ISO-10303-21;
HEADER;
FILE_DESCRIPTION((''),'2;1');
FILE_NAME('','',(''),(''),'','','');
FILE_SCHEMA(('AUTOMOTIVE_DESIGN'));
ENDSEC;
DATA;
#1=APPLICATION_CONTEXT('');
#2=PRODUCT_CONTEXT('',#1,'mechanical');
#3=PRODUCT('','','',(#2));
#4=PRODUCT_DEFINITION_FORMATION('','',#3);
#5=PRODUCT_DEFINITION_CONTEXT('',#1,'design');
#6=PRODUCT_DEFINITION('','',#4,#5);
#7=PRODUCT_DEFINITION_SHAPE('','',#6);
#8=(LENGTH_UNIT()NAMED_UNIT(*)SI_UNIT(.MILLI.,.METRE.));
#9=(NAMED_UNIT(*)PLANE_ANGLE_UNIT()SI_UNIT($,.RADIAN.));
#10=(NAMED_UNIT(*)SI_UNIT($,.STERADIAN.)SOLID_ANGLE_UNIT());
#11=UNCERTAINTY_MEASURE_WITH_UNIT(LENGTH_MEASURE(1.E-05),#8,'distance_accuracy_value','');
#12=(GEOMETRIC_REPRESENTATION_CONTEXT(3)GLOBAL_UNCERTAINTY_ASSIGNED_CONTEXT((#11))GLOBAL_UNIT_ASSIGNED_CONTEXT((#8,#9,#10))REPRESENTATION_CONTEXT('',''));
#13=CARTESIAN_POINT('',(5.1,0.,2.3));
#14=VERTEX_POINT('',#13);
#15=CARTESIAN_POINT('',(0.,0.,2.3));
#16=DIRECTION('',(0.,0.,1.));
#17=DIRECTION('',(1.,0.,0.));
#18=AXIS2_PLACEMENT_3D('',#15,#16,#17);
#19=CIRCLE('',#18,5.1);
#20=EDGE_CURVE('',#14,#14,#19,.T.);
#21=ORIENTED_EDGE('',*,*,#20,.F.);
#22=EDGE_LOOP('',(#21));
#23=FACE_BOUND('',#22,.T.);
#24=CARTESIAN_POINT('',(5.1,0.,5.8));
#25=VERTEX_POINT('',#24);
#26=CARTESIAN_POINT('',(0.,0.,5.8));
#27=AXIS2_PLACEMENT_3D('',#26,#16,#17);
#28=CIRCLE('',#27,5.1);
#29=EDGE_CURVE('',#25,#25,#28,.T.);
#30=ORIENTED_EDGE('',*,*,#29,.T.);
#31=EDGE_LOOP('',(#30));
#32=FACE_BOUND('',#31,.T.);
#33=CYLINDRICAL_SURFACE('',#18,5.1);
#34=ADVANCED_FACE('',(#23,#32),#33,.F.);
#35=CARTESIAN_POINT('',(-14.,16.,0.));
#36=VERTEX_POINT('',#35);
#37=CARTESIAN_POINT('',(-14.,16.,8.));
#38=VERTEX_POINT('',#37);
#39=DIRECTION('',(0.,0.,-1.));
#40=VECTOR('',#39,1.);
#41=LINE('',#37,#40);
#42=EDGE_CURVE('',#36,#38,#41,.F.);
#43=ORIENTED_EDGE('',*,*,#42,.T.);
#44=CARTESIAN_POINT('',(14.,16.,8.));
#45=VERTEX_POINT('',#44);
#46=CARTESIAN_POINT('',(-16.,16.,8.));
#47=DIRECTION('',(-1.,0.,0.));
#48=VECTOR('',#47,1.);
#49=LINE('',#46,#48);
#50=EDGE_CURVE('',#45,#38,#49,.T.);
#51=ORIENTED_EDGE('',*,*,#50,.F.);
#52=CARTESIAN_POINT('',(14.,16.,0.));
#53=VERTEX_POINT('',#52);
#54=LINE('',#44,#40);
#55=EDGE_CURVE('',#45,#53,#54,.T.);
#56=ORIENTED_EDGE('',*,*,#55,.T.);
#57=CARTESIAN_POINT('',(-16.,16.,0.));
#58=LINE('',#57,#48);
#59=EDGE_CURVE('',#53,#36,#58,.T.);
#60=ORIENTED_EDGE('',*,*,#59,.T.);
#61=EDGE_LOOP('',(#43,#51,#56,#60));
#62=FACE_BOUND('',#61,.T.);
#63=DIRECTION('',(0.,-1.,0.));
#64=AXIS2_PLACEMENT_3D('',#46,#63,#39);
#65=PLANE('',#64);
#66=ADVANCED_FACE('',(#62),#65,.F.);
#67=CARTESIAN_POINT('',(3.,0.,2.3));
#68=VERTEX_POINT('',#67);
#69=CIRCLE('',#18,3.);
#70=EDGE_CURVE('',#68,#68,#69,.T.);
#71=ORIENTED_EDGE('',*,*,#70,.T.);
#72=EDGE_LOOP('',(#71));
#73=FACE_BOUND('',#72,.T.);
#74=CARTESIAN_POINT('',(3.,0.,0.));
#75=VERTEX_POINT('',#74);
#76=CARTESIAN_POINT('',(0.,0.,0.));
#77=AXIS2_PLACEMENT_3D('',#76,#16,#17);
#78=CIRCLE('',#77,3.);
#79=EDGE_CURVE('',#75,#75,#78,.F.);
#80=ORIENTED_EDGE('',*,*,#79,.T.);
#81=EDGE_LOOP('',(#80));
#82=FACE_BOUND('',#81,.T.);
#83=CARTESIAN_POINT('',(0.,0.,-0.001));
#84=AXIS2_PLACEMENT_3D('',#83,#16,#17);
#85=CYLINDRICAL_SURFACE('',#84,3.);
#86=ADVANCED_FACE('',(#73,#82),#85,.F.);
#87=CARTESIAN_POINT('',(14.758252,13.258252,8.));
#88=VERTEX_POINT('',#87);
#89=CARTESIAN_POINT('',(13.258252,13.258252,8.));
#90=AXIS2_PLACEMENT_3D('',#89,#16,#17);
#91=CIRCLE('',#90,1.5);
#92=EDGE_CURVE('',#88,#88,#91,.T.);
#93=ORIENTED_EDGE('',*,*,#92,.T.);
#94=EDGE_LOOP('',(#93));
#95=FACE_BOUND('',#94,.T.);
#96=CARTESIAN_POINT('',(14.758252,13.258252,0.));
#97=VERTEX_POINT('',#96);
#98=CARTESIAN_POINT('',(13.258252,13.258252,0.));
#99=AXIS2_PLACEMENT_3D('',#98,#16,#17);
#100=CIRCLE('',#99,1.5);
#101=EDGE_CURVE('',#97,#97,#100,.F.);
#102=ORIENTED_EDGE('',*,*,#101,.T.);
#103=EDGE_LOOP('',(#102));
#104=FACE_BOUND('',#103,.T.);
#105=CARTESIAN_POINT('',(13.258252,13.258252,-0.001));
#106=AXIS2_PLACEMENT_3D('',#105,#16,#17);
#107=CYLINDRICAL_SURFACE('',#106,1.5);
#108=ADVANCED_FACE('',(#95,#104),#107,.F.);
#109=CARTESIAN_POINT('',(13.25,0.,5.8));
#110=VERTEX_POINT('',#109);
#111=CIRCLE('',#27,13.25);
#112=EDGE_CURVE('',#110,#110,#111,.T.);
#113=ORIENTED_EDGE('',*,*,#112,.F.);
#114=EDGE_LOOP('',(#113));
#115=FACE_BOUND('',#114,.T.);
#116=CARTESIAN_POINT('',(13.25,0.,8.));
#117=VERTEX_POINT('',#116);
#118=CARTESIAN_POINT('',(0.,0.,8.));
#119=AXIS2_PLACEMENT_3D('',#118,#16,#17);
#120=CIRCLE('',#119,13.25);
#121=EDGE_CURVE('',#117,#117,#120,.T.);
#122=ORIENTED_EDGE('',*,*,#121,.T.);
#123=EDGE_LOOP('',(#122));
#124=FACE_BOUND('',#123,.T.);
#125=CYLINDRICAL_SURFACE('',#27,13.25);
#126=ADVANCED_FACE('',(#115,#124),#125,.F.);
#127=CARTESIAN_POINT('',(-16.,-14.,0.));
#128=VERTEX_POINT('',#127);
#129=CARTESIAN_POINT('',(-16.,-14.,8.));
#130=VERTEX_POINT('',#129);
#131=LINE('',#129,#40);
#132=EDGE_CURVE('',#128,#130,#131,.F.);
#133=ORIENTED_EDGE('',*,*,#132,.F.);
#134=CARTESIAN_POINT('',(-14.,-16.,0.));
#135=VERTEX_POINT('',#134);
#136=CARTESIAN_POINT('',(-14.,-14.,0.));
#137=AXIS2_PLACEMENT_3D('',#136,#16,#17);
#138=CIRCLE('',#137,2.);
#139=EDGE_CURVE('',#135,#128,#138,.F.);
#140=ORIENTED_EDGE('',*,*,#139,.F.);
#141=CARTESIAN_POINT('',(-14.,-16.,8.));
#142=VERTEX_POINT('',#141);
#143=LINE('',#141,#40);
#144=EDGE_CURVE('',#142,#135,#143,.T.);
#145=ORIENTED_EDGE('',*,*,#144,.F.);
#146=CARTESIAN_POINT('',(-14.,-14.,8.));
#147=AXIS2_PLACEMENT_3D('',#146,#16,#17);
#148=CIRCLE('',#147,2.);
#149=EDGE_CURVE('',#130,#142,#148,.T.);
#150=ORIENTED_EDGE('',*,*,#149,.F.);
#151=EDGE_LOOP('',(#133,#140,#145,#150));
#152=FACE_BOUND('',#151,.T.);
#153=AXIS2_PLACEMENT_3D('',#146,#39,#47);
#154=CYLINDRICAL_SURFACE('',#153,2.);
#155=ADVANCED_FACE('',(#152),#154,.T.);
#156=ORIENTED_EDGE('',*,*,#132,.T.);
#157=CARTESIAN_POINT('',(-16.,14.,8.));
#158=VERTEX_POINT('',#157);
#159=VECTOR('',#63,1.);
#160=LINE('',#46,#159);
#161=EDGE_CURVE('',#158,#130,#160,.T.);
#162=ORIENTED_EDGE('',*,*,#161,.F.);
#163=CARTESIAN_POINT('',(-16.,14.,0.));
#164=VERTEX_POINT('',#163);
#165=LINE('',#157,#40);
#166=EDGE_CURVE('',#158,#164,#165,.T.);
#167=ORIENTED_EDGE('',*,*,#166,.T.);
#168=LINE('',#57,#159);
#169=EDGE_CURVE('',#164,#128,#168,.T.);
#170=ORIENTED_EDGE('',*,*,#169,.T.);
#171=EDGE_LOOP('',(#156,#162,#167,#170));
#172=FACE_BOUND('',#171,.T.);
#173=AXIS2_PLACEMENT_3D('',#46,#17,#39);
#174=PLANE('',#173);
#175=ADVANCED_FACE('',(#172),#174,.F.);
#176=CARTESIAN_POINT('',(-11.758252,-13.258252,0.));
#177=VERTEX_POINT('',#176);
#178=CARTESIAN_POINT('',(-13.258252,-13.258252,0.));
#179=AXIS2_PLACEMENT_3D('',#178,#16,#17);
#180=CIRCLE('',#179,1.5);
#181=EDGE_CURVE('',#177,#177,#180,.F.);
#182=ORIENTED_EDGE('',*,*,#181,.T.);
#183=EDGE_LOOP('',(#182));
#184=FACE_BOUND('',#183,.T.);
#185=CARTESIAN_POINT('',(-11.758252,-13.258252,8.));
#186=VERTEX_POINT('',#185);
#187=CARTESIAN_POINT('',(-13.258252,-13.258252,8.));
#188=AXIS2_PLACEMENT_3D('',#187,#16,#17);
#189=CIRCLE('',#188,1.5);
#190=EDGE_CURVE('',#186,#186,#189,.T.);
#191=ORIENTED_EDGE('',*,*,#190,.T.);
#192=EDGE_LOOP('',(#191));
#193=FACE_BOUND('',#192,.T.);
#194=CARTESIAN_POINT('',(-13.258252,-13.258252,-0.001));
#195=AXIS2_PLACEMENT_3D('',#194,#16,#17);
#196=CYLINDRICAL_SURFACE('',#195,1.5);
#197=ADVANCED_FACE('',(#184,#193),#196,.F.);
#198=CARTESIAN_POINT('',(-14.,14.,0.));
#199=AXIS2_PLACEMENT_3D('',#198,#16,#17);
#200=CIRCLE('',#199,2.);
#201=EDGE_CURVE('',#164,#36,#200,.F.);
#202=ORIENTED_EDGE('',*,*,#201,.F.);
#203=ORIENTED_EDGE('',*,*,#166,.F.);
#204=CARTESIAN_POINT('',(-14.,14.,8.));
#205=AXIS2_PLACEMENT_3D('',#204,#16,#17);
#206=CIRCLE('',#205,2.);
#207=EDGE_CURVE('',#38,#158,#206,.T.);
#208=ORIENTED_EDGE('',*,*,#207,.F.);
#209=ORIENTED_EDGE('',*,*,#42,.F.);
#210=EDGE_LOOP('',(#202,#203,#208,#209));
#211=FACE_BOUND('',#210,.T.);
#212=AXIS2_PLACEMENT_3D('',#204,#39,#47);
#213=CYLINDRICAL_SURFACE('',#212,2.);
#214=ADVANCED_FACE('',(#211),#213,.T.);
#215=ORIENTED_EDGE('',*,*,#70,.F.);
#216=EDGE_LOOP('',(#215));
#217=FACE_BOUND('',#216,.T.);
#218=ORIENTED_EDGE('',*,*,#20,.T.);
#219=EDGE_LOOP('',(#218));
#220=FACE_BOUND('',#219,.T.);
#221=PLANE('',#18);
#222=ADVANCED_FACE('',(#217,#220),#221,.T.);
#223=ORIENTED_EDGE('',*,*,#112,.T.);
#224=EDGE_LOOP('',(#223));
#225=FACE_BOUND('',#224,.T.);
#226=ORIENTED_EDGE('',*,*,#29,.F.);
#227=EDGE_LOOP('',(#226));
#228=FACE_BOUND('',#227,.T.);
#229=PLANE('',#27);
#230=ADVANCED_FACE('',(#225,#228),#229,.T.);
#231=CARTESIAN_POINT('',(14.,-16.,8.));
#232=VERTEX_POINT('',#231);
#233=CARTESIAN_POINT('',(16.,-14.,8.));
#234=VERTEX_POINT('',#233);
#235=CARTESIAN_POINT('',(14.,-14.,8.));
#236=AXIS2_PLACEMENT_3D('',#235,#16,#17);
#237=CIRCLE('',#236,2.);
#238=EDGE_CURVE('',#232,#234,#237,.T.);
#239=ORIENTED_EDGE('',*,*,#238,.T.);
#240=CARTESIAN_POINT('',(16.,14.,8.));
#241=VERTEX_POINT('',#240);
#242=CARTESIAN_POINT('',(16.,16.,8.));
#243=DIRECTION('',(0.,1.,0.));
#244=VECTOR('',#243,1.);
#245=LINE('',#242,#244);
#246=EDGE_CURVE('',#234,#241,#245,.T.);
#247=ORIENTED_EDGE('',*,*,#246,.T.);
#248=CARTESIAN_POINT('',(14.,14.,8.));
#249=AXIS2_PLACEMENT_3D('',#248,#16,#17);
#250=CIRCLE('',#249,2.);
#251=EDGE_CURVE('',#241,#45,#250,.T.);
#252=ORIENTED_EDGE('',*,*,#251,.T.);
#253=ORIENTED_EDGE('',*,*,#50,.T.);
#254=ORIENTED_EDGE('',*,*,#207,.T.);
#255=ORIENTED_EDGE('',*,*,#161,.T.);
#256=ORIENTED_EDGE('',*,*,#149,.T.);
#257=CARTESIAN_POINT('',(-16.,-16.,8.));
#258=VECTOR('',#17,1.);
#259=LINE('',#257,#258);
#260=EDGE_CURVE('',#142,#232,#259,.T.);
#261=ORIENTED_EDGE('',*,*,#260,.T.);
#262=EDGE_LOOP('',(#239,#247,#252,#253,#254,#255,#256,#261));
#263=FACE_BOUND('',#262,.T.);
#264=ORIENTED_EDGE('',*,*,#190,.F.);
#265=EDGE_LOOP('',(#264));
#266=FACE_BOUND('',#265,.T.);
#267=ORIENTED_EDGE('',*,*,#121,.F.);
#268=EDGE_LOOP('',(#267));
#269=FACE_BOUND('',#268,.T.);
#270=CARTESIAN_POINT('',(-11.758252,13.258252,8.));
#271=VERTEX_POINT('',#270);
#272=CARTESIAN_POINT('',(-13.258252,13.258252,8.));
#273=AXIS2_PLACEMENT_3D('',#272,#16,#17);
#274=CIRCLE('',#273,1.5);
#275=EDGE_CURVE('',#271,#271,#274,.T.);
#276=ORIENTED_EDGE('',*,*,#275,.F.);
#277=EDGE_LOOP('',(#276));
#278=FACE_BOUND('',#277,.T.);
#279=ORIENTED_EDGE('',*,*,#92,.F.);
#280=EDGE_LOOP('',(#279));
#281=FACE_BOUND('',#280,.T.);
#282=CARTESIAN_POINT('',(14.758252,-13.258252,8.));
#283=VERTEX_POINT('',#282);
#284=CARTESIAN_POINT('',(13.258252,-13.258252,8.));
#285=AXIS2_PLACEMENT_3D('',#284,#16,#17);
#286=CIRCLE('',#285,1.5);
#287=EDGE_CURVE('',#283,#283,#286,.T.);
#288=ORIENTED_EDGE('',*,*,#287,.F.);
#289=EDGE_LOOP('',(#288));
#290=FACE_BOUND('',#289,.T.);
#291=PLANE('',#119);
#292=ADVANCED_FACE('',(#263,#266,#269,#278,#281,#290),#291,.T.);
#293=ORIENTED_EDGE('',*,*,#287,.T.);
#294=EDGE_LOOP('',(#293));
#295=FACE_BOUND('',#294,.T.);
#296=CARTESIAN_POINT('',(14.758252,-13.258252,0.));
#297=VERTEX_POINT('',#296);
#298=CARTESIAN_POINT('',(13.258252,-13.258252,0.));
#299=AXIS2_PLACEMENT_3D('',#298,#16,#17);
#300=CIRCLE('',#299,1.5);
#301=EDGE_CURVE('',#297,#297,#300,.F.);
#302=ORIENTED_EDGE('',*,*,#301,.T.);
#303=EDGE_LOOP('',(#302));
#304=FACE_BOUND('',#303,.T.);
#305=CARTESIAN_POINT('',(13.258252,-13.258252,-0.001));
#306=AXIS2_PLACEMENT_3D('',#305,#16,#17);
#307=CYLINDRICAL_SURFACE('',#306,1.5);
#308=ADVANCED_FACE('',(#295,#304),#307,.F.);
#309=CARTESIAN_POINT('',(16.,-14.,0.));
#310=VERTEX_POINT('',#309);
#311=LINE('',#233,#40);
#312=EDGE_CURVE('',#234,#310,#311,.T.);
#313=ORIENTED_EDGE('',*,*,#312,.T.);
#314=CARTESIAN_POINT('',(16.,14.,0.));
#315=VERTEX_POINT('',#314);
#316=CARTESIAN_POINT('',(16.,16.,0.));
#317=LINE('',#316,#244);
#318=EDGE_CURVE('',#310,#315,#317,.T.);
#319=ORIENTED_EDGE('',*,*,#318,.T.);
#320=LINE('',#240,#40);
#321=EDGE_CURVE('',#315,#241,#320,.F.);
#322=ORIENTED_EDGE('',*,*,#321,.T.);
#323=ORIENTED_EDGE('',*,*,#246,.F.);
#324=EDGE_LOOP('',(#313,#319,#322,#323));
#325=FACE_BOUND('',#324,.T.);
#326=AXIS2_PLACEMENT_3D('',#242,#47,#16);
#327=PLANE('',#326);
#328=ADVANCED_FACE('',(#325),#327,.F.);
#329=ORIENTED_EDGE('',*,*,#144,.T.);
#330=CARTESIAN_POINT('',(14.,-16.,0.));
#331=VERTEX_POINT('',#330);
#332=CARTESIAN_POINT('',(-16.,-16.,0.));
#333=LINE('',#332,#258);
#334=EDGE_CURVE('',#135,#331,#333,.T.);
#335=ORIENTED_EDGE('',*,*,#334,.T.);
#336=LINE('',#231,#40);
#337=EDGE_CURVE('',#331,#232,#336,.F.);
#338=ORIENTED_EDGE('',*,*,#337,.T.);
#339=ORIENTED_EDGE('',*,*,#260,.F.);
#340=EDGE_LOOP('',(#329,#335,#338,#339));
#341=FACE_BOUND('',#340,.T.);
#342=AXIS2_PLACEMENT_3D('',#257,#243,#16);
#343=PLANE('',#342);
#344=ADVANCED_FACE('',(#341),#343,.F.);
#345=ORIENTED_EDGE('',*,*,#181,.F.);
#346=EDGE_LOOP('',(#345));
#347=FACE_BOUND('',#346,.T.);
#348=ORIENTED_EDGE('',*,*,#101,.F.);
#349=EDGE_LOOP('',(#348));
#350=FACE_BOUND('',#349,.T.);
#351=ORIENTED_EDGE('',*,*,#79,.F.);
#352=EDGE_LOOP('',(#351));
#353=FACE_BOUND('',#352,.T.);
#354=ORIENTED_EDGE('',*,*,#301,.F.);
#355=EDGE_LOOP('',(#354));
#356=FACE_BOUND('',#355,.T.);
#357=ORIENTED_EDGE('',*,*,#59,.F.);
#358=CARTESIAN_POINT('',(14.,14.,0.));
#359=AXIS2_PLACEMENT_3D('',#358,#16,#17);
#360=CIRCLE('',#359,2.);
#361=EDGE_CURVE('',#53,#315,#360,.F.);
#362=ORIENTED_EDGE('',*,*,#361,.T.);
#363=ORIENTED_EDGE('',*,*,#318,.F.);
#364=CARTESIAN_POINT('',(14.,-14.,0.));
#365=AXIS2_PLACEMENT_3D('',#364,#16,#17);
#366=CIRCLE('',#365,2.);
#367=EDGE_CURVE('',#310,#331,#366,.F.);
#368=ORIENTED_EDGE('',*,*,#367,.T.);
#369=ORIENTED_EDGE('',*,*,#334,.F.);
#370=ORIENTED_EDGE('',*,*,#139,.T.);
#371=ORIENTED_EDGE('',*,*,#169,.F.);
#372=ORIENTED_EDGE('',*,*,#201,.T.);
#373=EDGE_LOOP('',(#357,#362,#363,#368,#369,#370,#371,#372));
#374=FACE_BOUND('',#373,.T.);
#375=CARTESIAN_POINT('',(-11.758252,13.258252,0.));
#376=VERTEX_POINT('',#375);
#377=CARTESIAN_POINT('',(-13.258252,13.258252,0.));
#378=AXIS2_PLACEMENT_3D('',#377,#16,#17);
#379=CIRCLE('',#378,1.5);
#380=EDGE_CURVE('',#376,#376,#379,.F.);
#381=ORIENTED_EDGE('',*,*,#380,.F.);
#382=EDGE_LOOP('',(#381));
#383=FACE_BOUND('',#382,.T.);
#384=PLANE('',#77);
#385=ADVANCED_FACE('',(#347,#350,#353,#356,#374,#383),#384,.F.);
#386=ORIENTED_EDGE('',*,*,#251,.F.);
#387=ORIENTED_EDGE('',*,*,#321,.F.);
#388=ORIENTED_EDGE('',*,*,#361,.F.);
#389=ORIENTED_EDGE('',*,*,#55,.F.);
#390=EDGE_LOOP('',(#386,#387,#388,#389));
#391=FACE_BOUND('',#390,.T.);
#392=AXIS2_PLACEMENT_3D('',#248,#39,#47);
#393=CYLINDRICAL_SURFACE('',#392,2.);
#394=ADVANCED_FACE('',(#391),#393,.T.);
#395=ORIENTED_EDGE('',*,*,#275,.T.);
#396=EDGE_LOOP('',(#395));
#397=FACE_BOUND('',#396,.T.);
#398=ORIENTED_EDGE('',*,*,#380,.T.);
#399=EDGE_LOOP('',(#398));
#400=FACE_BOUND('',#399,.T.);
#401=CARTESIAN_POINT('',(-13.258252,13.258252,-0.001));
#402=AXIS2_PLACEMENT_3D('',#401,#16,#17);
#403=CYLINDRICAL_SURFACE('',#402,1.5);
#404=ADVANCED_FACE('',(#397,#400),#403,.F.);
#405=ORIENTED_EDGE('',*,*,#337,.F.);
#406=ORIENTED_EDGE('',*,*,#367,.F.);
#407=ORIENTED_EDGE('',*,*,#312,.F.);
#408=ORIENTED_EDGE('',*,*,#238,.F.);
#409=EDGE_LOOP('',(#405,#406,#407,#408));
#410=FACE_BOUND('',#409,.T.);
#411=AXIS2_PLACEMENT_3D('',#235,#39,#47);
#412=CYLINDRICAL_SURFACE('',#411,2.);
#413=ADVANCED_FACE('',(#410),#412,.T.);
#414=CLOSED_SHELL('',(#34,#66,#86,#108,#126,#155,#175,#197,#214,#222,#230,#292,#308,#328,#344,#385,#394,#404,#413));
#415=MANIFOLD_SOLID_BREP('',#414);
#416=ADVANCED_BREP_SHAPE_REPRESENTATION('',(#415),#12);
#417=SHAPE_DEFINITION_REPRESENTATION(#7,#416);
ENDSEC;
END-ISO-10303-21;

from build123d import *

# Parameters (mm, degrees)
SKETCH_1_W          = 32
SKETCH_1_H          = 32
EXTRUDE_1_DEPTH     = 8
CUT_EXTRUDE_1_REACH = 10
SKETCH_2_R          = 1.5
SKETCH_3_R          = 13.25
CUT_EXTRUDE_2_DEPTH = 2.2
SKETCH_4_R          = 5.1
CUT_EXTRUDE_3_DEPTH = 3.5
CUT_EXTRUDE_4_REACH = 4.3
SKETCH_5_R          = 3
FILLET_1_R          = 2


with BuildPart() as part:
    # 草图1 → 凸台-拉伸1 (new body)
    with BuildSketch(Plane.XY):
        Rectangle(SKETCH_1_W, SKETCH_1_H)
    extrude(amount=EXTRUDE_1_DEPTH)

    # 草图2 → 切除-拉伸1 (cut, up to next)
    with BuildSketch(Plane.XY.offset(8), mode=Mode.PRIVATE) as cut_extrude_1_sk1:
        with Locations((-13.258252147, 13.258252147)):
            Circle(SKETCH_2_R)
    cut_extrude_1_tool1 = extrude(cut_extrude_1_sk1.sketch, amount=-CUT_EXTRUDE_1_REACH, mode=Mode.PRIVATE) & part.part
    add(cut_extrude_1_tool1.solids().sort_by_distance((-13.258252, 13.258252, 8))[0], mode=Mode.SUBTRACT)
    # 草图2 → 切除-拉伸1 (cut, up to next)
    with BuildSketch(Plane.XY.offset(8), mode=Mode.PRIVATE) as cut_extrude_1_sk2:
        with Locations((13.258252147, 13.258252147)):
            Circle(SKETCH_2_R)
    cut_extrude_1_tool2 = extrude(cut_extrude_1_sk2.sketch, amount=-CUT_EXTRUDE_1_REACH, mode=Mode.PRIVATE) & part.part
    add(cut_extrude_1_tool2.solids().sort_by_distance((13.258252, 13.258252, 8))[0], mode=Mode.SUBTRACT)
    # 草图2 → 切除-拉伸1 (cut, up to next)
    with BuildSketch(Plane.XY.offset(8), mode=Mode.PRIVATE) as cut_extrude_1_sk3:
        with Locations((13.258252147, -13.258252147)):
            Circle(SKETCH_2_R)
    cut_extrude_1_tool3 = extrude(cut_extrude_1_sk3.sketch, amount=-CUT_EXTRUDE_1_REACH, mode=Mode.PRIVATE) & part.part
    add(cut_extrude_1_tool3.solids().sort_by_distance((13.258252, -13.258252, 8))[0], mode=Mode.SUBTRACT)
    # 草图2 → 切除-拉伸1 (cut, up to next)
    with BuildSketch(Plane.XY.offset(8), mode=Mode.PRIVATE) as cut_extrude_1_sk4:
        with Locations((-13.258252147, -13.258252147)):
            Circle(SKETCH_2_R)
    cut_extrude_1_tool4 = extrude(cut_extrude_1_sk4.sketch, amount=-CUT_EXTRUDE_1_REACH, mode=Mode.PRIVATE) & part.part
    add(cut_extrude_1_tool4.solids().sort_by_distance((-13.258252, -13.258252, 8))[0], mode=Mode.SUBTRACT)

    # 草图3 → 切除-拉伸2 (cut)
    with BuildSketch(Plane.XY.offset(8)):
        Circle(SKETCH_3_R)
    extrude(amount=-CUT_EXTRUDE_2_DEPTH, mode=Mode.SUBTRACT)

    # 草图4 → 切除-拉伸3 (cut)
    with BuildSketch(Plane.XY.offset(5.8)):
        Circle(SKETCH_4_R)
    extrude(amount=-CUT_EXTRUDE_3_DEPTH, mode=Mode.SUBTRACT)

    # 草图5 → 切除-拉伸4 (cut, up to next)
    with BuildSketch(Plane.XY.offset(2.3), mode=Mode.PRIVATE) as cut_extrude_4_sk1:
        Circle(SKETCH_5_R)
    cut_extrude_4_tool1 = extrude(cut_extrude_4_sk1.sketch, amount=-CUT_EXTRUDE_4_REACH, mode=Mode.PRIVATE) & part.part
    add(cut_extrude_4_tool1.solids().sort_by_distance((0, 0, 2.3))[0], mode=Mode.SUBTRACT)

    # 圆角1
    fillet_1_edges = [part.edges().sort_by_distance(p)[0] for p in [
        (16, -16, 4),
        (-16, -16, 4),
        (-16, 16, 4),
        (16, 16, 4),
    ]]
    fillet(fillet_1_edges, radius=FILLET_1_R)


solid = part.part
